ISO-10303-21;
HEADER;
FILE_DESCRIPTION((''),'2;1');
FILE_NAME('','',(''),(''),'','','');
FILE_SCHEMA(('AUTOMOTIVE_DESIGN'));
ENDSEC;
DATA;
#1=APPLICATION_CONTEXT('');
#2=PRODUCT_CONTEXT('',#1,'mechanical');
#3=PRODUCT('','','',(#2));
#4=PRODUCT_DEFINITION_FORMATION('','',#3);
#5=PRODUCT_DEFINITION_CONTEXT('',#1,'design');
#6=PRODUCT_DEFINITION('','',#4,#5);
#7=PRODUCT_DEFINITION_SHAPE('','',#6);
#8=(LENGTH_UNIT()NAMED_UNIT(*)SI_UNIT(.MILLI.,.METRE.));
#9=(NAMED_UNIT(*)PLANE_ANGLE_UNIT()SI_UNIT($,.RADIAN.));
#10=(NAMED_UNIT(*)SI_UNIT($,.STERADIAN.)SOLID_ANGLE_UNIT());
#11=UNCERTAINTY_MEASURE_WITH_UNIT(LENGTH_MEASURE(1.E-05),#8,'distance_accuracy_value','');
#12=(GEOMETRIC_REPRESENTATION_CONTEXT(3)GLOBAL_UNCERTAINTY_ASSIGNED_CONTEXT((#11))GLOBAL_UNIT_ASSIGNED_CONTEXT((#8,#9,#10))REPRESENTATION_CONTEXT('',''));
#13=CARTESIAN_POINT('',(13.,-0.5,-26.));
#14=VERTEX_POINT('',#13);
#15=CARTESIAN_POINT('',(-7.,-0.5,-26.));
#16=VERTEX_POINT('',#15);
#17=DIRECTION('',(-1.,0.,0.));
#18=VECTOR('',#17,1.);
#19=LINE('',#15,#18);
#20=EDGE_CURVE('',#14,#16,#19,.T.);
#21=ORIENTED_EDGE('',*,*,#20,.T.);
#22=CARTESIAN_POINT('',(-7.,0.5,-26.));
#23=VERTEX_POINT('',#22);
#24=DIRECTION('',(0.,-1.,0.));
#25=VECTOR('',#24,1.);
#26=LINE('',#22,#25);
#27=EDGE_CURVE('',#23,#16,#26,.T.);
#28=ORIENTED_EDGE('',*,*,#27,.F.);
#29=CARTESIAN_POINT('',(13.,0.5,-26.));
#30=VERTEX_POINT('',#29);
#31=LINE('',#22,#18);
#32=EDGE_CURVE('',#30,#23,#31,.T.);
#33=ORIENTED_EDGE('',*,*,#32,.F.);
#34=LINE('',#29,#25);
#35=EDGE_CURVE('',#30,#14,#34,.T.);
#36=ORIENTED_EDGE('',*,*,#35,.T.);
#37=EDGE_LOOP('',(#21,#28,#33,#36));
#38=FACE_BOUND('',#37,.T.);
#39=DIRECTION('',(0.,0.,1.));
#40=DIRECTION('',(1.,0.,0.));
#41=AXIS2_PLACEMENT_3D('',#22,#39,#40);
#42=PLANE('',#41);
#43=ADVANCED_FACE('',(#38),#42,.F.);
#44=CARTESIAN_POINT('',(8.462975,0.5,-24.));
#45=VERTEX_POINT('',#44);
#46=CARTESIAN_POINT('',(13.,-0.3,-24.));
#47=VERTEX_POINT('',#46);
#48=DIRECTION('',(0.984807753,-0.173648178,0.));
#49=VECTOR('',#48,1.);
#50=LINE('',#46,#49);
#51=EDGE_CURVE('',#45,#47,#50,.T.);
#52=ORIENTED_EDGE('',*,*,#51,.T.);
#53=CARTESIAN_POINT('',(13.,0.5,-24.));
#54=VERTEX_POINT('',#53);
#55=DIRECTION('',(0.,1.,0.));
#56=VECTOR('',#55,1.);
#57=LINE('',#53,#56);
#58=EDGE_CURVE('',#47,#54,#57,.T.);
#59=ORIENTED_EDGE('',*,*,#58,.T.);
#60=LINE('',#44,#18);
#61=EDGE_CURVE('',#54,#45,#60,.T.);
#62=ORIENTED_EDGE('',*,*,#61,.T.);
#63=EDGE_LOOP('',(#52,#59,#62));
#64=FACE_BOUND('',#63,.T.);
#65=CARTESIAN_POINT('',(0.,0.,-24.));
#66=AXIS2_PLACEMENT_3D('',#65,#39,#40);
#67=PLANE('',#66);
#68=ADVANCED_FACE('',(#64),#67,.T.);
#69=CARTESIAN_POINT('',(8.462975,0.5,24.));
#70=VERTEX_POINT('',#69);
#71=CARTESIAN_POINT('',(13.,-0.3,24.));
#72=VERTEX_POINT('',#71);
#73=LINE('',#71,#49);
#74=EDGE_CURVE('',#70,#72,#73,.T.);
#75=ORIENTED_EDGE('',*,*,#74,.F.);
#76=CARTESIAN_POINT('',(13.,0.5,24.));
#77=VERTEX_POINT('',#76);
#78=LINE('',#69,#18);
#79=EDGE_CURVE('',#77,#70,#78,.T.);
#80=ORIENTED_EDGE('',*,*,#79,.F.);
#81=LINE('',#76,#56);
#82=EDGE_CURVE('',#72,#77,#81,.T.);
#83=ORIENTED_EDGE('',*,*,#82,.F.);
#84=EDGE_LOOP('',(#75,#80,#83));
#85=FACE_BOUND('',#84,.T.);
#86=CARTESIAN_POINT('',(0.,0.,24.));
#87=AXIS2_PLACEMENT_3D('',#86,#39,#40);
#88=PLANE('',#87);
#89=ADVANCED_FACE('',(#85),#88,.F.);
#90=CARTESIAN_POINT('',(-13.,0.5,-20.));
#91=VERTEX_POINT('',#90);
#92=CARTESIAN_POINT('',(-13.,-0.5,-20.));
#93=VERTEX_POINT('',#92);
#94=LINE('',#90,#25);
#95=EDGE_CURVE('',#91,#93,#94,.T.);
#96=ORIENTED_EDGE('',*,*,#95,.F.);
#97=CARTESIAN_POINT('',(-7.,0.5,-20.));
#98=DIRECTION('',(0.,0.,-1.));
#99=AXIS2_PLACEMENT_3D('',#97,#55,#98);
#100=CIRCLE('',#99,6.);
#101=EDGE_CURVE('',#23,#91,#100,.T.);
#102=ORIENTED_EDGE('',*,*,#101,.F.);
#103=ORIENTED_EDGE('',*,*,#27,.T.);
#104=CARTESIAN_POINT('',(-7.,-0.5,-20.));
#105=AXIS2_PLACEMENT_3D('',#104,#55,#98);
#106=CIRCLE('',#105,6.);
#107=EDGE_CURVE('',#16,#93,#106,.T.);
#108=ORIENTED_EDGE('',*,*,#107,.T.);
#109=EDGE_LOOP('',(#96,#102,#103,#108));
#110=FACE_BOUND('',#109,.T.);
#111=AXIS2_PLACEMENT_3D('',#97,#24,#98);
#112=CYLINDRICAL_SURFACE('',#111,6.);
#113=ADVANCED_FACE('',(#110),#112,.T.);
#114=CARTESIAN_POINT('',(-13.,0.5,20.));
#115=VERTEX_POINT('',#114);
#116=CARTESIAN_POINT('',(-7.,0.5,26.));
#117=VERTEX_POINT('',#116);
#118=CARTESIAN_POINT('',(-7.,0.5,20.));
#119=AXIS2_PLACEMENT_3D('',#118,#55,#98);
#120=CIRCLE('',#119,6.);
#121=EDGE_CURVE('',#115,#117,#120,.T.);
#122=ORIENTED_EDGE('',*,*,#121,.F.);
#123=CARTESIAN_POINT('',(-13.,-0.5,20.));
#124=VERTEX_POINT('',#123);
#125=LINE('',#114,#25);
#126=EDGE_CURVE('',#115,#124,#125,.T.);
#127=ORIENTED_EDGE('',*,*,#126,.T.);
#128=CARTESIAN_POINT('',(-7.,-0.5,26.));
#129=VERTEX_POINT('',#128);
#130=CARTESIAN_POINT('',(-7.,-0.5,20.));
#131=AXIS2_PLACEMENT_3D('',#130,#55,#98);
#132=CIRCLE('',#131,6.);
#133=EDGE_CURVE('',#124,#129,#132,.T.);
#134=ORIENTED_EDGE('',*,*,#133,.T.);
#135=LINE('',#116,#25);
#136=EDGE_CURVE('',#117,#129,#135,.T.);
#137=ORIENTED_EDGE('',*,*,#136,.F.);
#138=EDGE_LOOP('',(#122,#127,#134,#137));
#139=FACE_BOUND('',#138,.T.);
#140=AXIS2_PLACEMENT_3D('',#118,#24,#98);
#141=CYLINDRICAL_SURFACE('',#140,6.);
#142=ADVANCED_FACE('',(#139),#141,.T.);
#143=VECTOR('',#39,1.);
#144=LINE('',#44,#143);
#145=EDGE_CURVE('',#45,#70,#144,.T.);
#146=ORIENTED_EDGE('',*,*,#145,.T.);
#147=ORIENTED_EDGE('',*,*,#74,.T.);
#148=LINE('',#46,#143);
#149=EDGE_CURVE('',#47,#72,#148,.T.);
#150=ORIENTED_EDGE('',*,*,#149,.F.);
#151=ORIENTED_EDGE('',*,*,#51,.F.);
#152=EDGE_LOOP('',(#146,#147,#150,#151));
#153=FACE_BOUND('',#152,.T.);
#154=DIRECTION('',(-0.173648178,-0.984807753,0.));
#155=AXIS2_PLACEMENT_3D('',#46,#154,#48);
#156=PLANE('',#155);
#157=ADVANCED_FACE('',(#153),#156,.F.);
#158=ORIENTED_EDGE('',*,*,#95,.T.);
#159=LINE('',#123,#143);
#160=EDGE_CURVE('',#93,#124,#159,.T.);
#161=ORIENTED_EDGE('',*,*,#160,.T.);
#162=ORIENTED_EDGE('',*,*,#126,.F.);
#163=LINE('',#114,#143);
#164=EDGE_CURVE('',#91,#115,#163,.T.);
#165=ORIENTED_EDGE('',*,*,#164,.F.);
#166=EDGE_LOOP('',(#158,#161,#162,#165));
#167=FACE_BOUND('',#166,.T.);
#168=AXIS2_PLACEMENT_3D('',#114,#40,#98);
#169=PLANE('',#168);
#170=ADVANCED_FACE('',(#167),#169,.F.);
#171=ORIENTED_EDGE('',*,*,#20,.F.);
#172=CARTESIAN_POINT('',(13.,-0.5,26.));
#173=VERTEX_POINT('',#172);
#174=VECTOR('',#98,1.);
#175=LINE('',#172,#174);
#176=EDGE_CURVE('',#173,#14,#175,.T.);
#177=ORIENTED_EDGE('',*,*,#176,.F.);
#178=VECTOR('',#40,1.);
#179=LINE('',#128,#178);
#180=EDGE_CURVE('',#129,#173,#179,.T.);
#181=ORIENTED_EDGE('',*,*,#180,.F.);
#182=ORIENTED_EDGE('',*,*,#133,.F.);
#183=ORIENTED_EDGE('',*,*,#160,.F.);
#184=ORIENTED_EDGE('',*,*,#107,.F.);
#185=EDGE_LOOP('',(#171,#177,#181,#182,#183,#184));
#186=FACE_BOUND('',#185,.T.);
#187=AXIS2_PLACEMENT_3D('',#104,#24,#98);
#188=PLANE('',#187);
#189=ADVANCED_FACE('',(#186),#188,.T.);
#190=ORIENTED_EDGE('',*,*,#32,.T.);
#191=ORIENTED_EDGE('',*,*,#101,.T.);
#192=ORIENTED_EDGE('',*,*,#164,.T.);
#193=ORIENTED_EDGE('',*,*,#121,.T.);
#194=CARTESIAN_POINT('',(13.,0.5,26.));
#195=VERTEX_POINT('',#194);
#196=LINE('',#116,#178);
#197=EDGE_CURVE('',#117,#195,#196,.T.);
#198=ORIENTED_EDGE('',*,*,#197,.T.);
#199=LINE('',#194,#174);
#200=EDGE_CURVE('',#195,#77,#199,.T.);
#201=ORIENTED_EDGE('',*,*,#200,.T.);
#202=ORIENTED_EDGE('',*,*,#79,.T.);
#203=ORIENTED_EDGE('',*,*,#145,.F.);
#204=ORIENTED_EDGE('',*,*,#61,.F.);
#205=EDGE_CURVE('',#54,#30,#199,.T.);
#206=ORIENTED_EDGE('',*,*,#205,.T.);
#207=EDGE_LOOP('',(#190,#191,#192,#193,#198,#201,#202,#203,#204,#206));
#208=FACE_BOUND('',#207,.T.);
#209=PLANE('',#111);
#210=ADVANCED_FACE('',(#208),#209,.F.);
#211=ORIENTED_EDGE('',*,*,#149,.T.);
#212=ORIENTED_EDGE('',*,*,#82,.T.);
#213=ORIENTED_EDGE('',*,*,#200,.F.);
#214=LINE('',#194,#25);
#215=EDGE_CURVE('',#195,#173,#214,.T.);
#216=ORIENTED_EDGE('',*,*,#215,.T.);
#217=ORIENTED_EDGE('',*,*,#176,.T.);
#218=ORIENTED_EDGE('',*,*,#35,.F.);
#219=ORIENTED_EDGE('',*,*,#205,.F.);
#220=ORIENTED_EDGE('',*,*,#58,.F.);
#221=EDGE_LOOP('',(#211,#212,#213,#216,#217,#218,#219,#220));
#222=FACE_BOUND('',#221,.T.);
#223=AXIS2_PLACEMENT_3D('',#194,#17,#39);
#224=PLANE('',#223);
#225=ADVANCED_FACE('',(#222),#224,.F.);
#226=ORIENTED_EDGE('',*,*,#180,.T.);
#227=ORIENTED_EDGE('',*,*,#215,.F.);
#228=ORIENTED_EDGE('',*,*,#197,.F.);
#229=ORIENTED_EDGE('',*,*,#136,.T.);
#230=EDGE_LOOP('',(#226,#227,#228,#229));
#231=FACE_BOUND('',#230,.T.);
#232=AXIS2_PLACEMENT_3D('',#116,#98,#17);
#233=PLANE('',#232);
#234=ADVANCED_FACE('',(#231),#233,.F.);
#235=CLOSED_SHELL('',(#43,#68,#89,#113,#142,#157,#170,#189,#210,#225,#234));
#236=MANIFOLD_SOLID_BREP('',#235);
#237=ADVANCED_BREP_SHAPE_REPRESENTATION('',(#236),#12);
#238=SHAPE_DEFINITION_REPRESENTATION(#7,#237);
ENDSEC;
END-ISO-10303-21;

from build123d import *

# Parameters (mm, degrees)
BOSS_EXTRUDE1_DEPTH = 0.5
CUT_EXTRUDE4_DEPTH  = 24


with BuildPart() as part:
    # Sketch1 → Boss-Extrude1 (new body, symmetric)
    with BuildSketch(Plane(origin=(0, 0, 0), x_dir=(1, 0, 0), z_dir=(0, 1, 0))):
        with BuildLine():
            Line((-7, -26), (13, -26))
            Line((13, -26), (13, 26))
            Line((13, 26), (-7, 26))
            ThreePointArc((-7, 26), (-11.242640687, 24.242640687), (-13, 20))
            Line((-13, 20), (-13, -20))
            ThreePointArc((-13, -20), (-11.242640687, -24.242640687), (-7, -26))
        make_face()
    extrude(amount=BOSS_EXTRUDE1_DEPTH, both=True)

    # Sketch2 → Cut-Extrude4 (cut, symmetric)
    with BuildSketch(Plane.XY):
        Polygon((13, -0.3), (8.462974544, 0.5), (13, 0.5), align=None)
    extrude(amount=CUT_EXTRUDE4_DEPTH, both=True, mode=Mode.SUBTRACT)


solid = part.part
